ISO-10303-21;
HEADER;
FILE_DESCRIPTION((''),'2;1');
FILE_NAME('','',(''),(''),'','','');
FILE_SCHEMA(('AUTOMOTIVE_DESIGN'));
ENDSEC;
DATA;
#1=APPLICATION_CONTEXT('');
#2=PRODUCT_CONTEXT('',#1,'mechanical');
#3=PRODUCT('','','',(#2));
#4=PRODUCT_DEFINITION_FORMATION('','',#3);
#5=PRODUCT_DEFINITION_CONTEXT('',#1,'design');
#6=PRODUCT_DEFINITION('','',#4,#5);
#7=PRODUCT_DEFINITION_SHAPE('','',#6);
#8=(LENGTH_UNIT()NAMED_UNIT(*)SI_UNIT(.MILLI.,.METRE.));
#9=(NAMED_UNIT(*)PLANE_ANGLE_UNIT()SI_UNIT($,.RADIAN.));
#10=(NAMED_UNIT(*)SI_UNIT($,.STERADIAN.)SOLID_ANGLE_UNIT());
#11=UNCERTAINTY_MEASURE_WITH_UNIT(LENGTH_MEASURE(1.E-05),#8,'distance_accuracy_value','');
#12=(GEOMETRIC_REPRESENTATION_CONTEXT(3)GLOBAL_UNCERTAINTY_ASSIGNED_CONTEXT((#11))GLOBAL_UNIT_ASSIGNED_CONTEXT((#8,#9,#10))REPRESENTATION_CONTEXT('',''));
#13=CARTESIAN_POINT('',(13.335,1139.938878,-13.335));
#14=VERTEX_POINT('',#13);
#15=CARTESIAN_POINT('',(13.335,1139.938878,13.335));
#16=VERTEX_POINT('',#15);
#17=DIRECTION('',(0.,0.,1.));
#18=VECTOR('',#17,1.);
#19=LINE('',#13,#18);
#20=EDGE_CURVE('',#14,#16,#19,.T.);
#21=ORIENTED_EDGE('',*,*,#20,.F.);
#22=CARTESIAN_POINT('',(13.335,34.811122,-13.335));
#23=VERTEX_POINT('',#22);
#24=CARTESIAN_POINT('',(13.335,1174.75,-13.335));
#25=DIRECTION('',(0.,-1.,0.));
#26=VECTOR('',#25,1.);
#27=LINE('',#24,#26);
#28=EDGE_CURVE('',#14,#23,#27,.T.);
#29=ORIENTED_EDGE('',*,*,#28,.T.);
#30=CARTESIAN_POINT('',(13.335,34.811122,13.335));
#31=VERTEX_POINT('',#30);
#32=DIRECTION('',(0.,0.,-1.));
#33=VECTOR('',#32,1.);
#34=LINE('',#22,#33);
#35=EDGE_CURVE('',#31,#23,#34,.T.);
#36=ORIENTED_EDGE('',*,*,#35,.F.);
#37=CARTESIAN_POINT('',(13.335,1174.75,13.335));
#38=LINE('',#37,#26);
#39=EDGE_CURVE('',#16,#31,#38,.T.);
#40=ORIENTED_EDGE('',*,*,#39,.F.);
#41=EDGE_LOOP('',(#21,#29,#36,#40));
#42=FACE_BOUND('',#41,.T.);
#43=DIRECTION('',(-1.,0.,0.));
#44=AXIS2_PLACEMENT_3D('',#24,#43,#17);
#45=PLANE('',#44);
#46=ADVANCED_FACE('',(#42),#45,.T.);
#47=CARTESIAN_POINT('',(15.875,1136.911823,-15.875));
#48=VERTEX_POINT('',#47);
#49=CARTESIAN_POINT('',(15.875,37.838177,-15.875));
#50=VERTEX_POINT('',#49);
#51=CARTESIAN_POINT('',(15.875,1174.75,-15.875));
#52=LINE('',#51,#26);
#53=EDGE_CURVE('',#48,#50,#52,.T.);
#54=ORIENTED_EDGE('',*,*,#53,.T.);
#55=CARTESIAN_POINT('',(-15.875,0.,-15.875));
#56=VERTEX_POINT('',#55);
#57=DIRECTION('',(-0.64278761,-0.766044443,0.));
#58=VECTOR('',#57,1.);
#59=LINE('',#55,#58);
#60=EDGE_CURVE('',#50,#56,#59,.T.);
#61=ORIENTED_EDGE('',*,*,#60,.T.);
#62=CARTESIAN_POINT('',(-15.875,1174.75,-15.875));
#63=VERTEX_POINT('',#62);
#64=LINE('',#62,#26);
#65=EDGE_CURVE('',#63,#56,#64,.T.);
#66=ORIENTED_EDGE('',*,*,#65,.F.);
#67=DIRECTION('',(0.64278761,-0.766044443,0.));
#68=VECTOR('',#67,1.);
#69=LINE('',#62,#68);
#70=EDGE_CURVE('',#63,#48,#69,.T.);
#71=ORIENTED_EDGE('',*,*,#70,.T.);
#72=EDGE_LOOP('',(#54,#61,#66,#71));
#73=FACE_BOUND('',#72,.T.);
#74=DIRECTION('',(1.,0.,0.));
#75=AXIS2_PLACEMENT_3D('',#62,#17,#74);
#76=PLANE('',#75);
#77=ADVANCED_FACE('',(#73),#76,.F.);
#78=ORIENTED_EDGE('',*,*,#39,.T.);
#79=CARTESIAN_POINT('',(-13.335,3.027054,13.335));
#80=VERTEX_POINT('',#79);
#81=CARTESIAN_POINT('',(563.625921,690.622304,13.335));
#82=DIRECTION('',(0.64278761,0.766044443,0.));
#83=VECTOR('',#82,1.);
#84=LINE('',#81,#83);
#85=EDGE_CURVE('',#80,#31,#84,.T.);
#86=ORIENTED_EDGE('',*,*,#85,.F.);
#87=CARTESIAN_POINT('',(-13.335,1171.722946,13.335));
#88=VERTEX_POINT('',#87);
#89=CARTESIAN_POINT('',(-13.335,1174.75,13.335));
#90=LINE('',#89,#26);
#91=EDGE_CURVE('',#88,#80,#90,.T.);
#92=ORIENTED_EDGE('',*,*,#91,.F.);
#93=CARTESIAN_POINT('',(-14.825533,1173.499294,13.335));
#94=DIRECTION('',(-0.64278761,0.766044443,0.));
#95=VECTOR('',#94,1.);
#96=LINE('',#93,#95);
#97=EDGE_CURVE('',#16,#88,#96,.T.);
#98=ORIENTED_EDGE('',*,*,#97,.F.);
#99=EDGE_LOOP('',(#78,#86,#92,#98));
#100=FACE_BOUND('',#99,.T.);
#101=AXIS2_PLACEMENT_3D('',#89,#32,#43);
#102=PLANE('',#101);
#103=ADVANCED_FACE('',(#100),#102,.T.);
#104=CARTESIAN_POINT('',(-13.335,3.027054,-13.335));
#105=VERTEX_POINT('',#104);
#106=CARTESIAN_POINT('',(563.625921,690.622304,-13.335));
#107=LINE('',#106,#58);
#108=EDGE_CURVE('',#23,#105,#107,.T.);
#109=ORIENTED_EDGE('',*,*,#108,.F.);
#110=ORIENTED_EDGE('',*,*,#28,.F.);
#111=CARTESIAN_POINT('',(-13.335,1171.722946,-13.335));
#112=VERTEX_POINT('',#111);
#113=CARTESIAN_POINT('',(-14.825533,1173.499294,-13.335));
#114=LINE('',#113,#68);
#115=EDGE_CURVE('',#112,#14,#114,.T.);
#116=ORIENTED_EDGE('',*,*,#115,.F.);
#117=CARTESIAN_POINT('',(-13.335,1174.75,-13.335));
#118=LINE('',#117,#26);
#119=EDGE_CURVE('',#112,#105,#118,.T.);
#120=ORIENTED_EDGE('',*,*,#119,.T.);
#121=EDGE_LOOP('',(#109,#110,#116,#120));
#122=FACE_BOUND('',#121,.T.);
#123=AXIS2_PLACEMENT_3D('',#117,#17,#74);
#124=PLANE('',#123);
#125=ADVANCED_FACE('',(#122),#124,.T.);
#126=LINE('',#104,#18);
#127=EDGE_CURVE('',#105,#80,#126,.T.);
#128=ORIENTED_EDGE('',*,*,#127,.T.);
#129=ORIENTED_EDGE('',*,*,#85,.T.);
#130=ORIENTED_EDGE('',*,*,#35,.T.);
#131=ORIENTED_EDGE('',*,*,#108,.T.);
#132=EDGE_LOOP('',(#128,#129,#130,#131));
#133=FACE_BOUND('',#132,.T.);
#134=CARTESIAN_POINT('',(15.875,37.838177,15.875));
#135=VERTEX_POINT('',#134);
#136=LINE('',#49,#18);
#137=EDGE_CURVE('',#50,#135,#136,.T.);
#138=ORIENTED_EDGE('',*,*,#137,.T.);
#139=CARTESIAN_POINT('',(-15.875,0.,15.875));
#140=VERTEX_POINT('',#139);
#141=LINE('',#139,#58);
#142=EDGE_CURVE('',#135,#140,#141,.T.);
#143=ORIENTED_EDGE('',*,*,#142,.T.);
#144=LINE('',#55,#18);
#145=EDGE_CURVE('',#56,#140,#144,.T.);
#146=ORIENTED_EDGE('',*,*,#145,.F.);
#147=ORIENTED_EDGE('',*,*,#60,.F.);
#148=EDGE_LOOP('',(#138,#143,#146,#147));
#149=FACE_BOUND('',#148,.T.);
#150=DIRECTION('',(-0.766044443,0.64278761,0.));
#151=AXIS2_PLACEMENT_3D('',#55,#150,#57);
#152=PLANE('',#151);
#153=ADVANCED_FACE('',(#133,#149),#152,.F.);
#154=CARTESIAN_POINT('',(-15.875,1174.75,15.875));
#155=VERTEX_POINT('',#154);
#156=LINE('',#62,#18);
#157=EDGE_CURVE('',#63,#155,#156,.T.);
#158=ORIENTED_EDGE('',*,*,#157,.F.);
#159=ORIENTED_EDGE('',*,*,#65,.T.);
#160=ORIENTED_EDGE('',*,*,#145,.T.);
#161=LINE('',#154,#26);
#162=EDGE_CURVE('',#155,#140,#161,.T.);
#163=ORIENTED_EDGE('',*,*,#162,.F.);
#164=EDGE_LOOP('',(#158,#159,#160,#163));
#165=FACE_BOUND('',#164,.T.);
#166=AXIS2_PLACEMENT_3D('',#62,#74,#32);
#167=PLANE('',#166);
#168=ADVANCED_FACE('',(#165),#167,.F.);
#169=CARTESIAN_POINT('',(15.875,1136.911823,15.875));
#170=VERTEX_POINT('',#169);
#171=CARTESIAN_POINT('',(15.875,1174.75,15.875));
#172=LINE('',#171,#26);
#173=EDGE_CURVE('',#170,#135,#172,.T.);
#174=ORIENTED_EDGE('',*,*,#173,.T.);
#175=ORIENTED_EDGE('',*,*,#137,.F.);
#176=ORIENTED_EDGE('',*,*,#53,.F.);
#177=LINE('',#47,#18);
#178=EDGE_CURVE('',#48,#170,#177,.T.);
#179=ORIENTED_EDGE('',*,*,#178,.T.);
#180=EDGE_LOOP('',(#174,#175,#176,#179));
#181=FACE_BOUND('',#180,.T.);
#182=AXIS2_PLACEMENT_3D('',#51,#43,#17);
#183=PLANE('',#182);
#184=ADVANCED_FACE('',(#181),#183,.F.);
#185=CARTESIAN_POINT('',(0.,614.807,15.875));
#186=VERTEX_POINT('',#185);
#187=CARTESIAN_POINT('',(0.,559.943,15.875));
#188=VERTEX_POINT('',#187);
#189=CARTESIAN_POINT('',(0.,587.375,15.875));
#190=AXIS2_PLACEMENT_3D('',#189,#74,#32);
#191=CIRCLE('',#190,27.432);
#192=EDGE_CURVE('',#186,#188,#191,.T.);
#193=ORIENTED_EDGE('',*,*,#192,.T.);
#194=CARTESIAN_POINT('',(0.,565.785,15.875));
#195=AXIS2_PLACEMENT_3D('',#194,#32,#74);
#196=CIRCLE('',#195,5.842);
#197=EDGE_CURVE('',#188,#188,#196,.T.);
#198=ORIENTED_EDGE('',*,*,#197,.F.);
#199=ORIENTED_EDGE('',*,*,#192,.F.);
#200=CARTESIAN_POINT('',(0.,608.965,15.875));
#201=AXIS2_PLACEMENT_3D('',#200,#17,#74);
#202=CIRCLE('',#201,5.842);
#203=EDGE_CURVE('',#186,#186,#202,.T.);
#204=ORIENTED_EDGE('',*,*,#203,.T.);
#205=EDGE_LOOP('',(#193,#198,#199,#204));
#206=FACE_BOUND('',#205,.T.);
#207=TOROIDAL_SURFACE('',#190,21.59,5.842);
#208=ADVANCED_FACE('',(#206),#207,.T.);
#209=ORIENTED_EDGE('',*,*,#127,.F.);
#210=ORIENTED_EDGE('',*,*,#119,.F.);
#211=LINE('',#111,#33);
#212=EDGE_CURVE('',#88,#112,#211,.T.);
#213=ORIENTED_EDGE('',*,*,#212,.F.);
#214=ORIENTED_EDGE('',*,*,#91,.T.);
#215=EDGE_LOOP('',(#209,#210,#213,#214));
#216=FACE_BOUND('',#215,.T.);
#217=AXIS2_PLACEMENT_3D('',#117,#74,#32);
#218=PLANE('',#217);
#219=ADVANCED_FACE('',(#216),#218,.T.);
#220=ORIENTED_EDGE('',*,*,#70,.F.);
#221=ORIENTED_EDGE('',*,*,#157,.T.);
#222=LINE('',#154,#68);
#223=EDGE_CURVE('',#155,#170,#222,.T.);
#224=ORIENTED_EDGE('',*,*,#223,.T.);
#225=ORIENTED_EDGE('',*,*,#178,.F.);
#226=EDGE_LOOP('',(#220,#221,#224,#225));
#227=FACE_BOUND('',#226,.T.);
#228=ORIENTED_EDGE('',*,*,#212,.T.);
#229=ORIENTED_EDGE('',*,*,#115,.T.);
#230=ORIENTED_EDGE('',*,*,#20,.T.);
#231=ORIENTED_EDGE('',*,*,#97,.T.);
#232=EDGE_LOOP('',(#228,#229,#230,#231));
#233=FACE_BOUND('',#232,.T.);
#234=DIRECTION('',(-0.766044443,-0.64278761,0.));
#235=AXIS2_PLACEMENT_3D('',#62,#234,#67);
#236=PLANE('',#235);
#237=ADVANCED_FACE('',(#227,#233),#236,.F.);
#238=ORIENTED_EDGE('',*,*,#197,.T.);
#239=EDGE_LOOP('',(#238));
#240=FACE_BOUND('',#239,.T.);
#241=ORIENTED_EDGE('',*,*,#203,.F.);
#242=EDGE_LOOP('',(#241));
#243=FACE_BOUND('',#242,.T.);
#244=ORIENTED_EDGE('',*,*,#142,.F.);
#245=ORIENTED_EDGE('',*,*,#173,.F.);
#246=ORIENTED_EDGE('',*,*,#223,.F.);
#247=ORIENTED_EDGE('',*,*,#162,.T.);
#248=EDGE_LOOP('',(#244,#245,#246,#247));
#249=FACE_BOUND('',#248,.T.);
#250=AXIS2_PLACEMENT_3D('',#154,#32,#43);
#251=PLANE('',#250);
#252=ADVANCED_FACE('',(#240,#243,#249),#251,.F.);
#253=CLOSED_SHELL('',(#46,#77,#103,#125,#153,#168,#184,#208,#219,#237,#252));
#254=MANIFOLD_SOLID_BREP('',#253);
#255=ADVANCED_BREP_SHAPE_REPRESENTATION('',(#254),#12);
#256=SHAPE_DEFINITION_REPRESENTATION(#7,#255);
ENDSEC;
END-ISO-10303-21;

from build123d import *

# Parameters (mm, degrees)
SKETCH2_W           = 31.75
SKETCH2_H           = 31.75
SKETCH2_W_2         = 26.67
SKETCH2_H_2         = 26.67
BOSS_EXTRUDE1_DEPTH = 1174.75
CUT_EXTRUDE1_DEPTH  = 1176.286195199
SKETCH8_R           = 5.842


with BuildPart() as part:
    # Sketch2 → Boss-Extrude1 (new body)
    with BuildSketch(Plane(origin=(0, 0, 0), x_dir=(1, 0, 0), z_dir=(0, 1, 0))):
        Rectangle(SKETCH2_W, SKETCH2_H)
        Rectangle(SKETCH2_W_2, SKETCH2_H_2, mode=Mode.SUBTRACT)
    extrude(amount=BOSS_EXTRUDE1_DEPTH)

    # Sketch4 → Cut-Extrude1 (cut, through all)
    with BuildSketch(Plane.XY.offset(15.875)):
        Polygon((15.875, 0), (15.875, 37.838176565), (-15.875, 0), align=None)
        Polygon((15.875, 1174.75), (15.875, 1136.911823435), (-15.875, 1174.75), align=None)
    extrude(amount=-CUT_EXTRUDE1_DEPTH, mode=Mode.SUBTRACT)

    # Sweep2: sweep along a path in Sketch7
    with BuildLine(Plane(origin=(0, 0, 0), x_dir=(0, 0, -1), z_dir=(1, 0, 0))) as sweep2_path:
        ThreePointArc((-15.875, 608.965), (-37.465, 587.375), (-15.875, 565.785))
    # Sketch8 → Sweep2 (sweep)
    with BuildSketch(Plane.XY.offset(15.875)):
        with Locations((0, 608.965)):
            Circle(SKETCH8_R)
    sweep(path=sweep2_path.line)


solid = part.part
